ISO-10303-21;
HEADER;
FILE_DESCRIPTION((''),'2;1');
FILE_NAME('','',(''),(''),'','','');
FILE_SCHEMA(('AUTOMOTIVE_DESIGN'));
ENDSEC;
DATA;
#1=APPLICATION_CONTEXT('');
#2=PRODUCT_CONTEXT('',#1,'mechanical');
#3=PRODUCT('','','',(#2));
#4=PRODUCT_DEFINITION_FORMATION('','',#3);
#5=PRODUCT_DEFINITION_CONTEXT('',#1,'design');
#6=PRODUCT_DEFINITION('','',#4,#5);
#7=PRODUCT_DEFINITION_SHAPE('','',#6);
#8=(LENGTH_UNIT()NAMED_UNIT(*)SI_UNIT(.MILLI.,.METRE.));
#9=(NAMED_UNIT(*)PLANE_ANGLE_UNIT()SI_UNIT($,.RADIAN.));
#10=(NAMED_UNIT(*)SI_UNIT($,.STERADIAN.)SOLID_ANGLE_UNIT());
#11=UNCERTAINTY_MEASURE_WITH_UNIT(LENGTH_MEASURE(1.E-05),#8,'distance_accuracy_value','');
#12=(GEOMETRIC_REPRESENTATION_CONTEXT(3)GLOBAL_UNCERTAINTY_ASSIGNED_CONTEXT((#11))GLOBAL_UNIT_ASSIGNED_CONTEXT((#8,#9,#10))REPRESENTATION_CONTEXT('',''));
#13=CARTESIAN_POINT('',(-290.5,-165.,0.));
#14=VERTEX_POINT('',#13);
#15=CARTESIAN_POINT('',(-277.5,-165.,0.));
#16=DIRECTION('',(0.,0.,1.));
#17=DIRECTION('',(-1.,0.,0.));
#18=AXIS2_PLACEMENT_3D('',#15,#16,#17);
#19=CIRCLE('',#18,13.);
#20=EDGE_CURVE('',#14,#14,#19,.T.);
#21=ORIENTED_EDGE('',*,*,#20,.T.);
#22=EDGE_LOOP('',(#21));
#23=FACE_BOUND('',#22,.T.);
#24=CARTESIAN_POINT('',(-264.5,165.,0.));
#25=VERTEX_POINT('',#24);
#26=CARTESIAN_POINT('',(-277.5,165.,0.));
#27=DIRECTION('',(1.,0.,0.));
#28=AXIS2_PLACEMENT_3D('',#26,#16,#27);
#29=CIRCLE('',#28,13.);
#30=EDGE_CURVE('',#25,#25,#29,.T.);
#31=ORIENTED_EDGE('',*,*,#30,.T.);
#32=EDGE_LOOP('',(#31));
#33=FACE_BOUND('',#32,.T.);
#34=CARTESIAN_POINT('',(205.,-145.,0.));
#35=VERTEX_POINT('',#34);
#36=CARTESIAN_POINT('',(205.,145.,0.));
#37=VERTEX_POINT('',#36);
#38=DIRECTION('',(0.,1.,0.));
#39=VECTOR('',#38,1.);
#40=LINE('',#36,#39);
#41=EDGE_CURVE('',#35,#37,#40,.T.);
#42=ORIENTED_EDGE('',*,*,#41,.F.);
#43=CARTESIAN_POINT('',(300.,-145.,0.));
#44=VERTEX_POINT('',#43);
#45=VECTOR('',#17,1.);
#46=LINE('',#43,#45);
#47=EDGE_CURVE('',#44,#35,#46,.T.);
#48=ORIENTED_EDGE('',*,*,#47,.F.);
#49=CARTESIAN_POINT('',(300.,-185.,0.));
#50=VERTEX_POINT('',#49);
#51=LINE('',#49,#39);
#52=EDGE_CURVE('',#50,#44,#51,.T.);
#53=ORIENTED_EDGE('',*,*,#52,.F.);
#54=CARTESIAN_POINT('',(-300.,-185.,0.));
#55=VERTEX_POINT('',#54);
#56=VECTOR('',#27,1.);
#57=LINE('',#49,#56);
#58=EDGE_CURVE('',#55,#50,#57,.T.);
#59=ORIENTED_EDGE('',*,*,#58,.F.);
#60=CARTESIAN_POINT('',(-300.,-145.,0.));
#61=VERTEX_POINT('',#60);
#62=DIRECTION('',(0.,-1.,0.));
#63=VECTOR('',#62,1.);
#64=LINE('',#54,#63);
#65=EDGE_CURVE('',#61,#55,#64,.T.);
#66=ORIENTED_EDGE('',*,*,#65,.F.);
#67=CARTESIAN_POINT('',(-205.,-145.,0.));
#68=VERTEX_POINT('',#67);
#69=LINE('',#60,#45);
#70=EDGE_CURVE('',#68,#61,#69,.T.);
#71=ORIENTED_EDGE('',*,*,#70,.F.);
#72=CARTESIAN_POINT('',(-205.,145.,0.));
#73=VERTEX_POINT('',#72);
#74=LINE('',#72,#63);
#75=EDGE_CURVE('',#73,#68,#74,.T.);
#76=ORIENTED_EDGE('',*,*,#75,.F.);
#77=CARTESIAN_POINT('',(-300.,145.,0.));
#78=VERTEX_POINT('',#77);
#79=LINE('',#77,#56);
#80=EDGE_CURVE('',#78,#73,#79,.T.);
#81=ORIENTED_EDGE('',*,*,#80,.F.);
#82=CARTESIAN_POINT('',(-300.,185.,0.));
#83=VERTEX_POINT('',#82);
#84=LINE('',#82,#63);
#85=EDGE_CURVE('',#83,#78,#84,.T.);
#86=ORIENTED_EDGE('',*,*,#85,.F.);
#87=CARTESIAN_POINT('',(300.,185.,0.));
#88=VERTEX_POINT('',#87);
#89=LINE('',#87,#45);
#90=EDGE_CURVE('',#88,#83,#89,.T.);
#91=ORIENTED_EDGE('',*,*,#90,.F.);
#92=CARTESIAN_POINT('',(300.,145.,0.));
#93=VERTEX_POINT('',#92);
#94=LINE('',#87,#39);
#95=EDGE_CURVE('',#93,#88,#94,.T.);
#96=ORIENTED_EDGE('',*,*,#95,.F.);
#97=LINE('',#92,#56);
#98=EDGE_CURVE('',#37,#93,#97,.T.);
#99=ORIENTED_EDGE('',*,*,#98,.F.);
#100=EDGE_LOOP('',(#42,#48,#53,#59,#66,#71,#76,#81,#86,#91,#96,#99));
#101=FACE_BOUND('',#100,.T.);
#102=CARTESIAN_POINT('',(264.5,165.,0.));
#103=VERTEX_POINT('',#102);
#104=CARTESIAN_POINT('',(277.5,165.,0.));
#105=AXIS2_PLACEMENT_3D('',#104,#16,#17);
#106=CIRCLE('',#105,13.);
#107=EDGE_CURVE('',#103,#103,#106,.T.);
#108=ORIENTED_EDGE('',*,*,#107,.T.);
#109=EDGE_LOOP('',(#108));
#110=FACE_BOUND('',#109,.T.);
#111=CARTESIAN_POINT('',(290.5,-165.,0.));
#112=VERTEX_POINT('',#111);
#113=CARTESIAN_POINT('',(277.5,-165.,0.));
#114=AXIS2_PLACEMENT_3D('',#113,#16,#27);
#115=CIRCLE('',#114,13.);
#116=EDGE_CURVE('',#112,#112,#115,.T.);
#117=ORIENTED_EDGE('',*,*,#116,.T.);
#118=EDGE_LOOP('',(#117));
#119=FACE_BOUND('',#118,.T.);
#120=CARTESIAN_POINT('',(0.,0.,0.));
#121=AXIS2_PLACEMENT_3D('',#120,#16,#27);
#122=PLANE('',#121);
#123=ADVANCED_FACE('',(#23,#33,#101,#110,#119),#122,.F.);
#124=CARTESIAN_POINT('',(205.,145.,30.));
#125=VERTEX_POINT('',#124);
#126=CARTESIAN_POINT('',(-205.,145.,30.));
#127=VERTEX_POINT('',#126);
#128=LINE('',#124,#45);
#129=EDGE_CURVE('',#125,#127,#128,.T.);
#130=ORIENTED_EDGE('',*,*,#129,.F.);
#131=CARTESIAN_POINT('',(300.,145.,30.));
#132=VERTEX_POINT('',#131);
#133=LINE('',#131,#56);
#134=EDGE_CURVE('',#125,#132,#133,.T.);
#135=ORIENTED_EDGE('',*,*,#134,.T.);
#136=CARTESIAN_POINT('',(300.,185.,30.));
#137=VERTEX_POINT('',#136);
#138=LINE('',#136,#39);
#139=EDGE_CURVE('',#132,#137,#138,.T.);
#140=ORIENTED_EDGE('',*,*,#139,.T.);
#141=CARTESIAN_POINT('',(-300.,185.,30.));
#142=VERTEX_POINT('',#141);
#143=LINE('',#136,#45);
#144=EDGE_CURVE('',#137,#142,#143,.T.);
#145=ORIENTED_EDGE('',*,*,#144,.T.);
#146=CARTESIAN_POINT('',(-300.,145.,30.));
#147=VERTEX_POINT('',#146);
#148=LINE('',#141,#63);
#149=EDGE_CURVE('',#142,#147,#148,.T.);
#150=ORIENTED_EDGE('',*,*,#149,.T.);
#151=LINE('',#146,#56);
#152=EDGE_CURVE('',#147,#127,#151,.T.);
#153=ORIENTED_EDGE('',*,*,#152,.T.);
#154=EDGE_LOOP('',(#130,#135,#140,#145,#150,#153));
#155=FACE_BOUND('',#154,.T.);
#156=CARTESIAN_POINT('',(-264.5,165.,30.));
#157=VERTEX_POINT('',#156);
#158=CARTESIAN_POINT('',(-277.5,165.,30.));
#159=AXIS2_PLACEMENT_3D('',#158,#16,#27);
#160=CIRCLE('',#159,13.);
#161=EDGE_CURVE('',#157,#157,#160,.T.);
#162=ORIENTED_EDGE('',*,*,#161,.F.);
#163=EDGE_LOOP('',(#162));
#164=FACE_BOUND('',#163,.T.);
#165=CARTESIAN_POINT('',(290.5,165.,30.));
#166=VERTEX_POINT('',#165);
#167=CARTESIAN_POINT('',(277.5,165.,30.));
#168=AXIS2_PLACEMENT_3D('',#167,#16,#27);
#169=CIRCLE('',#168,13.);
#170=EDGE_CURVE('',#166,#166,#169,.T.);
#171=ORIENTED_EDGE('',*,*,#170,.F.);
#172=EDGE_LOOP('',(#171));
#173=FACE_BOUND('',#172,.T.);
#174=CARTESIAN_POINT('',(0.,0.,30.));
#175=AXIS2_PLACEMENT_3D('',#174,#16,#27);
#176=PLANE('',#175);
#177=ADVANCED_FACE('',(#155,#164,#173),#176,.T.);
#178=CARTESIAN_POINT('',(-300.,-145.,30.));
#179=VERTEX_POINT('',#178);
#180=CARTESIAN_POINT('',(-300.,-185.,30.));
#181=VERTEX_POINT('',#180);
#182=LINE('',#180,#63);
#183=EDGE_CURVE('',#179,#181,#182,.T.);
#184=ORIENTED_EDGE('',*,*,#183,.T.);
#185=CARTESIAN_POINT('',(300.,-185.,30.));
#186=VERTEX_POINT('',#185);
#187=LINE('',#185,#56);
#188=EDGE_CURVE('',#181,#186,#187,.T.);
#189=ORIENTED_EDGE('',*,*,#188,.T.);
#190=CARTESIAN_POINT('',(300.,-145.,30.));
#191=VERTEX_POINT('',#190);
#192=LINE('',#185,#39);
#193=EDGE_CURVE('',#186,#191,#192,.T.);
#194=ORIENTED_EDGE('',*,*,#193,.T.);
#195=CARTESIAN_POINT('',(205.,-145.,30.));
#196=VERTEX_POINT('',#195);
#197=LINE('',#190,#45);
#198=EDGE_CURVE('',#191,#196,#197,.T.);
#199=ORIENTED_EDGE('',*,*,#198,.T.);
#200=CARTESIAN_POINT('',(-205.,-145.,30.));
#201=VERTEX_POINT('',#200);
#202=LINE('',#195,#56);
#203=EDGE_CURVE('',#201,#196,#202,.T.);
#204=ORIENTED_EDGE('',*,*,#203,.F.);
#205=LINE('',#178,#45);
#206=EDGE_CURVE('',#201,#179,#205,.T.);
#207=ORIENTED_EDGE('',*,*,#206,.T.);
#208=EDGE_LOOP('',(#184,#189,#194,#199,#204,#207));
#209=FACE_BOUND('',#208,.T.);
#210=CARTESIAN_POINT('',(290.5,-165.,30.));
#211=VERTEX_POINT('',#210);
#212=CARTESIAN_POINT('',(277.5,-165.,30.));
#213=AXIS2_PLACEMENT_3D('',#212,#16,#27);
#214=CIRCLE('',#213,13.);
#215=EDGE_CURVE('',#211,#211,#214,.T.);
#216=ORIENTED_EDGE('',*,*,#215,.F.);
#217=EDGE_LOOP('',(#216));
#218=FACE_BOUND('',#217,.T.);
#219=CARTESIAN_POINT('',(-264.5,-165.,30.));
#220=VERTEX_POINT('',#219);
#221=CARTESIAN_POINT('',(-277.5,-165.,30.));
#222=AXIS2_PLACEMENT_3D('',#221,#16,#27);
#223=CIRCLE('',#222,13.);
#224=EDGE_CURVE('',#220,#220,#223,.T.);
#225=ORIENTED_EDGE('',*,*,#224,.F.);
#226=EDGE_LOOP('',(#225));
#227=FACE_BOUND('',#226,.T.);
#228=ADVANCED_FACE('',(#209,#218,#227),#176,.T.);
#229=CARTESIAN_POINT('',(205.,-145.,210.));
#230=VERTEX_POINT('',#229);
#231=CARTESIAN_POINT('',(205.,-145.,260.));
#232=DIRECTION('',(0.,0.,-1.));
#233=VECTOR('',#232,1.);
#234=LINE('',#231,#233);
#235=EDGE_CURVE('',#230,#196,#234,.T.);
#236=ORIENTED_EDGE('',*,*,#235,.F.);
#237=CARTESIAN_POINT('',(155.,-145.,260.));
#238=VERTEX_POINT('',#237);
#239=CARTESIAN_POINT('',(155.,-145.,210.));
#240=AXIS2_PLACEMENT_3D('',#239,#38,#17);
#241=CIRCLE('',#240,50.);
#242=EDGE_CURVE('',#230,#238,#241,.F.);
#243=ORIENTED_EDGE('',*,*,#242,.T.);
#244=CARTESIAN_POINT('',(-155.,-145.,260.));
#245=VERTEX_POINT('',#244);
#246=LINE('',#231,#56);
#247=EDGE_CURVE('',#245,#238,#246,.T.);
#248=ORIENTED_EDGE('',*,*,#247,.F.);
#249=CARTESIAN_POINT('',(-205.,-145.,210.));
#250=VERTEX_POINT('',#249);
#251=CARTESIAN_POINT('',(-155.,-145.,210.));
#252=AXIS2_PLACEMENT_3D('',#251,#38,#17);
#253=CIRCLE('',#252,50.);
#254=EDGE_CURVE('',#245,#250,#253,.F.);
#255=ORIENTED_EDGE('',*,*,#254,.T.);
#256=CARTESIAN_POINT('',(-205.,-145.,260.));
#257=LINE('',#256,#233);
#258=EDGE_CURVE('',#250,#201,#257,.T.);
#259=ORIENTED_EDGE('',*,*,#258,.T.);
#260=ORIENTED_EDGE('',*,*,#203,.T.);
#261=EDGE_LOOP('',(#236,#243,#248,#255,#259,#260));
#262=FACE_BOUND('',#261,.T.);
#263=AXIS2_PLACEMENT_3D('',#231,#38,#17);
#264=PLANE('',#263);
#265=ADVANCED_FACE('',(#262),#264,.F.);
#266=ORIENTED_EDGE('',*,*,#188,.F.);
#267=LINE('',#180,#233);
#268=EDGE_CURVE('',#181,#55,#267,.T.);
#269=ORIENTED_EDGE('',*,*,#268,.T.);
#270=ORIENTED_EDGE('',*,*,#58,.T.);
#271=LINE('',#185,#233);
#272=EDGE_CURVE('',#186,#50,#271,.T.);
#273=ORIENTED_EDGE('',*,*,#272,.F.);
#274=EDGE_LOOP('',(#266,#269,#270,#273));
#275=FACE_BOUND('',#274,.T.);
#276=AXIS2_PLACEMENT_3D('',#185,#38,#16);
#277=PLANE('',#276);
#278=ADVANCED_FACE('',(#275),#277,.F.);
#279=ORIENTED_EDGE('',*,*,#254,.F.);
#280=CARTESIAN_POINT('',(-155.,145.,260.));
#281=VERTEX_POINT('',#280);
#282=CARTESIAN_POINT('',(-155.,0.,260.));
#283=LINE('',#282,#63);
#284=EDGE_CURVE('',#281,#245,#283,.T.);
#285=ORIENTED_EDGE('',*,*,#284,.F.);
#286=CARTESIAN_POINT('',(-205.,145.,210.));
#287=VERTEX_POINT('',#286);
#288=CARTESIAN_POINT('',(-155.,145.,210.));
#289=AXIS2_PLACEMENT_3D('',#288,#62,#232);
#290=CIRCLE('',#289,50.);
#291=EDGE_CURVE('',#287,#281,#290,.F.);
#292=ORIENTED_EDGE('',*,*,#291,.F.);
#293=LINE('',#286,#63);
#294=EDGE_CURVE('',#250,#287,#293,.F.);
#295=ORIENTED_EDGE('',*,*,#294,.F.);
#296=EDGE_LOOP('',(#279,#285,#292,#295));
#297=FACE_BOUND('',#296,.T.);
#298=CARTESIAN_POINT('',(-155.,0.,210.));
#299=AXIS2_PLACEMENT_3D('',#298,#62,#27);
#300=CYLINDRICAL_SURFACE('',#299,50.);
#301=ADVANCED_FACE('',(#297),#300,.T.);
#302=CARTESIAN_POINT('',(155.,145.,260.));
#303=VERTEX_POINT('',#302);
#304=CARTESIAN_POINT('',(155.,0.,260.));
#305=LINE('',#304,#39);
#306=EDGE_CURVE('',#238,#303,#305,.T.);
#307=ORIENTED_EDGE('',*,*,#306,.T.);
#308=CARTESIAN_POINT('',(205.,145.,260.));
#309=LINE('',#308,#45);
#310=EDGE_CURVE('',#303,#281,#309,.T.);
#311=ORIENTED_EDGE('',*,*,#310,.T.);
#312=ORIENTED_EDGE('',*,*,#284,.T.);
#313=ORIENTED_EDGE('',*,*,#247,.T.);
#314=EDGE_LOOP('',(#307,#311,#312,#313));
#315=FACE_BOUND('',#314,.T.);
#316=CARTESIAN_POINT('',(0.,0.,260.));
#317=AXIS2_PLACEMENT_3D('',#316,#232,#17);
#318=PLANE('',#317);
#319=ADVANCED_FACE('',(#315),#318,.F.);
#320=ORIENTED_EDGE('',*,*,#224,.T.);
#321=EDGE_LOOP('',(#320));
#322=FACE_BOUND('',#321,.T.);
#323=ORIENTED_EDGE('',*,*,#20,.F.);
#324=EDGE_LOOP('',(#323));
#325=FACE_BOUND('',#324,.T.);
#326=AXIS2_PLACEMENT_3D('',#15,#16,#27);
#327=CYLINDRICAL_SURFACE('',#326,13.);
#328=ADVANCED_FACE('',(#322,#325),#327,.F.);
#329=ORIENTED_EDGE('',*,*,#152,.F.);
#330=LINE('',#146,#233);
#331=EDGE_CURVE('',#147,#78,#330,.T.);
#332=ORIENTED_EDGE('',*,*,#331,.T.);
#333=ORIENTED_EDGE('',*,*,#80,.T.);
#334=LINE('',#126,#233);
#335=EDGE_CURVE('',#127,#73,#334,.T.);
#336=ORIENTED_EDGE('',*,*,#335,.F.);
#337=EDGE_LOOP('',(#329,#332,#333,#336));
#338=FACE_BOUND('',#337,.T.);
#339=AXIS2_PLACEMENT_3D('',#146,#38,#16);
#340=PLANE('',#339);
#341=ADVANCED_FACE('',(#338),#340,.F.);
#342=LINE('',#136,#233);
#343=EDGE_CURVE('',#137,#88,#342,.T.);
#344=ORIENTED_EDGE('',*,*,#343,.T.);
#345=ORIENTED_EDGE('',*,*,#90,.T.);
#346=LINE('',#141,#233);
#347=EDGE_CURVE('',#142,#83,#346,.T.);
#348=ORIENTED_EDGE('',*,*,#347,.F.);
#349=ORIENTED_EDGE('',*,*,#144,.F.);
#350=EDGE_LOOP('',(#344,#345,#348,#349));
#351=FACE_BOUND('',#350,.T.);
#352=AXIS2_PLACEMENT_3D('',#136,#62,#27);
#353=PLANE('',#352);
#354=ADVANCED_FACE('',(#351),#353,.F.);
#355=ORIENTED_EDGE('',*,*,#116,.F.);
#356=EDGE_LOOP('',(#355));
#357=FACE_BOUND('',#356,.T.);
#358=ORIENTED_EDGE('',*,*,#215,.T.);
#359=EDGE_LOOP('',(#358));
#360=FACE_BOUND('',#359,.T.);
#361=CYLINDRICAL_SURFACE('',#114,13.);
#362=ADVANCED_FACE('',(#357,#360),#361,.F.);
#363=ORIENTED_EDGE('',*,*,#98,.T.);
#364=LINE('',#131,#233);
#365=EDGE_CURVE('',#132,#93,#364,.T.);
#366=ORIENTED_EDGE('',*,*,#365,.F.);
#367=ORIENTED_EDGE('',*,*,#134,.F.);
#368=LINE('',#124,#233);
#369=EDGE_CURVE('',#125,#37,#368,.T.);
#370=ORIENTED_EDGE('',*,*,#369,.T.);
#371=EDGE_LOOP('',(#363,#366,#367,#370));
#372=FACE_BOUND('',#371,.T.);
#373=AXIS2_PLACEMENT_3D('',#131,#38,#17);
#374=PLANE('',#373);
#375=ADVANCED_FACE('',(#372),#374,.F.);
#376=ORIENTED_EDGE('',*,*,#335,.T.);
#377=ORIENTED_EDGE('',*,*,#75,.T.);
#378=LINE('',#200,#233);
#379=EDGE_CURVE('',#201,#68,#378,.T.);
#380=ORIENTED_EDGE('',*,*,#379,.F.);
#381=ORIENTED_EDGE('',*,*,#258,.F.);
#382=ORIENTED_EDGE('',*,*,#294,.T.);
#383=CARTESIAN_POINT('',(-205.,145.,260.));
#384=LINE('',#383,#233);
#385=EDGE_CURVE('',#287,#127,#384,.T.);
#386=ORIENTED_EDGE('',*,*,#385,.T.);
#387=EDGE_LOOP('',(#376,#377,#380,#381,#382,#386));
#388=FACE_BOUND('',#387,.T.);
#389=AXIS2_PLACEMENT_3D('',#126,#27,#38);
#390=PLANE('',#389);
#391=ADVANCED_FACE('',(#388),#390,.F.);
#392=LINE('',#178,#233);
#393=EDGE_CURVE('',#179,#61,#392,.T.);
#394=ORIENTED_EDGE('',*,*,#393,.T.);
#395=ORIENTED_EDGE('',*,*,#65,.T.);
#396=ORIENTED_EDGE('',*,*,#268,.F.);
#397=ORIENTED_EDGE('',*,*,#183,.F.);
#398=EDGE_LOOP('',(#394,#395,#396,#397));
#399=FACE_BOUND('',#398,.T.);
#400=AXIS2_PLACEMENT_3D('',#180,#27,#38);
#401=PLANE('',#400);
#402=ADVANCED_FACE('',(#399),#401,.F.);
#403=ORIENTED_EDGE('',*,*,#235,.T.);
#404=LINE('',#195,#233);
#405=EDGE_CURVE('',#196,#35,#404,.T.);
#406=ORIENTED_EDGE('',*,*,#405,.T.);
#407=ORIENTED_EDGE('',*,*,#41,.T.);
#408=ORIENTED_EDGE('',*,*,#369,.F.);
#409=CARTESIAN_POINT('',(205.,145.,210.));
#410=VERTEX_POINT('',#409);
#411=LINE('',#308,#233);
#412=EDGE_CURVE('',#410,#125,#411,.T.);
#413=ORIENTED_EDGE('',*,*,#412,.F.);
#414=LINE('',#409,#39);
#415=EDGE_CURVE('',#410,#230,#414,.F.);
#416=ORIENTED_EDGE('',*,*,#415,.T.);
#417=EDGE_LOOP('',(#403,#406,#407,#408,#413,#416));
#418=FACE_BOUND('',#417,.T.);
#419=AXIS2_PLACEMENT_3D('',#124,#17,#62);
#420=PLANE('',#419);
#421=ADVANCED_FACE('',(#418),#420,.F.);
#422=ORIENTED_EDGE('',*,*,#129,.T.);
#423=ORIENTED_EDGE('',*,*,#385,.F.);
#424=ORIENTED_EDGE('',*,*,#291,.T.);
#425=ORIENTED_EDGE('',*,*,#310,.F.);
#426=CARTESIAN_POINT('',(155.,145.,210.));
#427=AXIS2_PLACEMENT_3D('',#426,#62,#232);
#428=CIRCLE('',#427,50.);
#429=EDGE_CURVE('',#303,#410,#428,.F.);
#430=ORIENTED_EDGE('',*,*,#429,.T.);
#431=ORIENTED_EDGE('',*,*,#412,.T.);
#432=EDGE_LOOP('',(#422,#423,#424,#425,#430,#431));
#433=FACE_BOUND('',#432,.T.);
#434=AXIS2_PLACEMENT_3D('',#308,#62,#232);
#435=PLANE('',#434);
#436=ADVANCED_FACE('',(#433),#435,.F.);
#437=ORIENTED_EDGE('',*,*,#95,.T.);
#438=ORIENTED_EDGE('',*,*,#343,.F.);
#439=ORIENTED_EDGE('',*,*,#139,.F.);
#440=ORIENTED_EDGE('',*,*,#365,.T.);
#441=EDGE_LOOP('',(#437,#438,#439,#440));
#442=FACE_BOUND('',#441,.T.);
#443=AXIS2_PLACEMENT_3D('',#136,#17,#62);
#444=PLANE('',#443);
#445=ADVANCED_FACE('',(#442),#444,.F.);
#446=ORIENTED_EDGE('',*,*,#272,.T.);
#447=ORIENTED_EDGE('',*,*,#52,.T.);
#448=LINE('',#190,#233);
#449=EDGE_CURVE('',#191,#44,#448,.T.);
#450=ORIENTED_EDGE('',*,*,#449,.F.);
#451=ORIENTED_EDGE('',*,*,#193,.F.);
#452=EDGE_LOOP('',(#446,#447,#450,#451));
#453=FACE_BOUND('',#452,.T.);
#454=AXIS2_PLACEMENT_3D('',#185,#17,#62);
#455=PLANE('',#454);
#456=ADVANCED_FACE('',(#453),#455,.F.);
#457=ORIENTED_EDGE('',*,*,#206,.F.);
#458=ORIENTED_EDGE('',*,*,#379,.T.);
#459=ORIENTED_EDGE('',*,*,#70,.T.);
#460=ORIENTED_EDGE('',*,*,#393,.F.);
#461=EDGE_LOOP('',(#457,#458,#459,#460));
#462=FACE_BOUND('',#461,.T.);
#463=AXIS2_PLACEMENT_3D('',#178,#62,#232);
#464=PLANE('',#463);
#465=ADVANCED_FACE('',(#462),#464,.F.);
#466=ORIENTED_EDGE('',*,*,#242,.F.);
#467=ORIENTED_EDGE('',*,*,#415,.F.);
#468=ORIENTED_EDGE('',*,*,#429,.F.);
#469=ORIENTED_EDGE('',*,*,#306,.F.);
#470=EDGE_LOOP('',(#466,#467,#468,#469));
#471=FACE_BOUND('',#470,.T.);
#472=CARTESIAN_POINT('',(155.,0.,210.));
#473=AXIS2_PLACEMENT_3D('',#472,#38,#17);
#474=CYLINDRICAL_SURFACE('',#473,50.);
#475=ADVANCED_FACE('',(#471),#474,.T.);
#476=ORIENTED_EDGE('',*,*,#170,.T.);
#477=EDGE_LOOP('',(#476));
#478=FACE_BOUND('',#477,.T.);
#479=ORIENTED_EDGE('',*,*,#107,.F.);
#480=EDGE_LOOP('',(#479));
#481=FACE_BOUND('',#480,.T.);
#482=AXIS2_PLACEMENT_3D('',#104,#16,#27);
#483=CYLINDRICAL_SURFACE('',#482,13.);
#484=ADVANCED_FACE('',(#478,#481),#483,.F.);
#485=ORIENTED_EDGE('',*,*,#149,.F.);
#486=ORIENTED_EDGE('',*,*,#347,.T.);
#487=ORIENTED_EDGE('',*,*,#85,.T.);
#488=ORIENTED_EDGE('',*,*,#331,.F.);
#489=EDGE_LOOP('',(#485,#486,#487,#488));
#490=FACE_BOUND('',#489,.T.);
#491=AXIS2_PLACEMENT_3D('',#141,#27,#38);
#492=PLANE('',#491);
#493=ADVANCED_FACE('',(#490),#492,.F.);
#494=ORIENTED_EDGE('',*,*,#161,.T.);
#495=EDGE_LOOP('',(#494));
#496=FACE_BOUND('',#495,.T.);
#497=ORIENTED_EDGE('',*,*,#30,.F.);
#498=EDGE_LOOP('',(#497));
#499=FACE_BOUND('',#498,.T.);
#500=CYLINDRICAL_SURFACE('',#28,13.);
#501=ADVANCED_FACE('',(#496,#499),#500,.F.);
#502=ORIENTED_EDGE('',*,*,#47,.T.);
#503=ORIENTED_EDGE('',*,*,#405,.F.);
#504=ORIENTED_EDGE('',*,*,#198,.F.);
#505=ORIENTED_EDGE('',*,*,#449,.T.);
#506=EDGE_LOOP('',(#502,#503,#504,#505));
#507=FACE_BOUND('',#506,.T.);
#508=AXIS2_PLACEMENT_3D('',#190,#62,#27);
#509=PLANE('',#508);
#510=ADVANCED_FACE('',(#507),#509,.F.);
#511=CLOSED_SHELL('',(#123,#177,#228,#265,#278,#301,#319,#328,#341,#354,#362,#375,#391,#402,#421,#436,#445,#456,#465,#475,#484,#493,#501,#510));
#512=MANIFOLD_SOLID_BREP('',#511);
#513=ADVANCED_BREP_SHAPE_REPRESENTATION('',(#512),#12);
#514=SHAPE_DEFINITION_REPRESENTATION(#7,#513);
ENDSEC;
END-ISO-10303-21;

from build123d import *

# Parameters (mm, degrees)
BOSS_EXTRU_1_DEPTH           = 30
ENL_V_MAT_EXTRU_1_DEPTH      = 354.730123116
ENL_V_MAT_EXTRU_1_DEPTH_BACK = 354.730123116
ESQUISSE2_R                  = 13
ESQUISSE3_W                  = 410
ESQUISSE3_H                  = 290
BOSS_EXTRU_2_DEPTH           = 230
CONG_1_R                     = 50


with BuildPart() as part:
    # Esquisse1 → Boss.-Extru.1 (new body)
    with BuildSketch(Plane.XY):
        Polygon((300, 185), (-300, 185), (-300, 145), (-205, 145), (-205, -145), (-300, -145), (-300, -185), (300, -185), (300, -145), (205, -145), (205, 145), (300, 145), align=None)
    extrude(amount=BOSS_EXTRU_1_DEPTH)

    # Esquisse2 → Enlèv. mat.-Extru.1 (cut, two sides: drawn at the far end of the back side and taken through both)
    with BuildSketch(Plane.XY.offset(30).offset(-ENL_V_MAT_EXTRU_1_DEPTH_BACK)):
        with Locations((-277.5, 165)):
            Circle(ESQUISSE2_R)
        with Locations((277.5, 165)):
            Circle(ESQUISSE2_R)
        with Locations((277.5, -165)):
            Circle(ESQUISSE2_R)
        with Locations((-277.5, -165)):
            Circle(ESQUISSE2_R)
    extrude(amount=ENL_V_MAT_EXTRU_1_DEPTH + ENL_V_MAT_EXTRU_1_DEPTH_BACK, mode=Mode.SUBTRACT)

    # Esquisse3 → Boss.-Extru.2 (add)
    with BuildSketch(Plane.XY.offset(30)):
        Rectangle(ESQUISSE3_W, ESQUISSE3_H)
    extrude(amount=BOSS_EXTRU_2_DEPTH)

    # Congé1
    cong_1_edges = [part.edges().sort_by_distance(p)[0] for p in [
        (-205, 0, 260),
        (205, 0, 260),
    ]]
    fillet(cong_1_edges, radius=CONG_1_R)


solid = part.part
